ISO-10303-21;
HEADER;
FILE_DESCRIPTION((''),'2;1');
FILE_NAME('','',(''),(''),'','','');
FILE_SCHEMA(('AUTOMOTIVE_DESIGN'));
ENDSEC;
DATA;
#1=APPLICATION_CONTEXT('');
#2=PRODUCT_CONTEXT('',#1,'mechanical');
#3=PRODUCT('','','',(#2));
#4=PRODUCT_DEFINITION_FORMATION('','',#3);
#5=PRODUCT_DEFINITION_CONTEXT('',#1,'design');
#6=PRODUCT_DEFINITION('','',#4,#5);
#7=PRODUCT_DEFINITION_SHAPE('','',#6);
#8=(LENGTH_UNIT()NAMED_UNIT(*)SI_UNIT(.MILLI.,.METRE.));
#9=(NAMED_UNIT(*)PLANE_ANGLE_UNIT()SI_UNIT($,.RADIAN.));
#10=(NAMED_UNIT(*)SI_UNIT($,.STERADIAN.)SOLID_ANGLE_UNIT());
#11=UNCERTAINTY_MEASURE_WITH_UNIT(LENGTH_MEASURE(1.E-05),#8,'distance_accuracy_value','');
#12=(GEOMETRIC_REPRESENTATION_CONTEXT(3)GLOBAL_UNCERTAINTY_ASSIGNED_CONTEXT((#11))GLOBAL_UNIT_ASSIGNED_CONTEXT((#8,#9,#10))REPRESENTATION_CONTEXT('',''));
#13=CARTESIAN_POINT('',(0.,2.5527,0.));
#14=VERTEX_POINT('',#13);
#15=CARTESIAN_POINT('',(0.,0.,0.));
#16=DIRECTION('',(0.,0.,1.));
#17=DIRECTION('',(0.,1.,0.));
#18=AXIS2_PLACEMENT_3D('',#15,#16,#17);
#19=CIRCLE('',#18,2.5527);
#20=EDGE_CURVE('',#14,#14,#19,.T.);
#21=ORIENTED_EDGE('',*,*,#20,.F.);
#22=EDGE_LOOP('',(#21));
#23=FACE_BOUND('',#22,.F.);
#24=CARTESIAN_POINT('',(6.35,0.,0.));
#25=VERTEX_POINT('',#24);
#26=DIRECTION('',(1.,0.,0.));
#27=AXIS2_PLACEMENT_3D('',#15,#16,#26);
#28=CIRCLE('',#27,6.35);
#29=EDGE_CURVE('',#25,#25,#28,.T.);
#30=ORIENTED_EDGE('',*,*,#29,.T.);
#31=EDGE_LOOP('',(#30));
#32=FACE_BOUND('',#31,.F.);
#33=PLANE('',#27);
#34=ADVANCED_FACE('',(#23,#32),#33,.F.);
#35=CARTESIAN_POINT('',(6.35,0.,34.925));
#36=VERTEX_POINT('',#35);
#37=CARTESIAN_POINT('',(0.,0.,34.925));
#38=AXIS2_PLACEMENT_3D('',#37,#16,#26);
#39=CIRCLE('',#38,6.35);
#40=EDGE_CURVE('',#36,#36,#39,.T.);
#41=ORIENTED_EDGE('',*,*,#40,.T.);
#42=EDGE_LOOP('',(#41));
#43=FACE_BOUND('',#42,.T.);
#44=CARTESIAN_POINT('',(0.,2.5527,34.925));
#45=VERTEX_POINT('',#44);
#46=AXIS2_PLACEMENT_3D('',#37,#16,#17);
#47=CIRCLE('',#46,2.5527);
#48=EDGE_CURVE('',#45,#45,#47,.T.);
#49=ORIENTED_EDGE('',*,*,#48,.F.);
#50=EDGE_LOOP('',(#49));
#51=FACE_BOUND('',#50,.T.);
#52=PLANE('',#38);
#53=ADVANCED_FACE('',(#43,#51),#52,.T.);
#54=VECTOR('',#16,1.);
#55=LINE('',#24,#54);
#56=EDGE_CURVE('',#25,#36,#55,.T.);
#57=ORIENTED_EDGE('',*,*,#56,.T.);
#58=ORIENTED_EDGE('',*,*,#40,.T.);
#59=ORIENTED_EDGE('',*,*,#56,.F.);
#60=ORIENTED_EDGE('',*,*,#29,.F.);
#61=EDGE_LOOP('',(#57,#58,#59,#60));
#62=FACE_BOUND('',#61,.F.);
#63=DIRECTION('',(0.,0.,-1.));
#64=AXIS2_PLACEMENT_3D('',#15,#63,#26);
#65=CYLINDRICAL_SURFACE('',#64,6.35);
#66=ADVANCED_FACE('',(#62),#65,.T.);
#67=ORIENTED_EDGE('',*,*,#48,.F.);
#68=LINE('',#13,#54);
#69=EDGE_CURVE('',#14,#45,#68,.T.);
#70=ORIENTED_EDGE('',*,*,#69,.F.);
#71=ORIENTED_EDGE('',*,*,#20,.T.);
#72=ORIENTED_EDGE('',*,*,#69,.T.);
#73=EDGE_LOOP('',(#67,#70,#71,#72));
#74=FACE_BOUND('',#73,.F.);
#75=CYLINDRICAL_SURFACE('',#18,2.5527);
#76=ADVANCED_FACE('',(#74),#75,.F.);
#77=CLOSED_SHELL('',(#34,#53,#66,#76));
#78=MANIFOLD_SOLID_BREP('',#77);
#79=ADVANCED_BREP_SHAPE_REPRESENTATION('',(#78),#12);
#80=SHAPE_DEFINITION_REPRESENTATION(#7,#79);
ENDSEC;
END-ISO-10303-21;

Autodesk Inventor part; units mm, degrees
ref_plane "YZ Plane" through (0, 0, 0) normal (1, 0, 0) x (0, 1, 0)
ref_plane "XZ Plane" through (0, 0, 0) normal (0, 1, 0) x (-1, 0, 0)
ref_plane "XY Plane" through (0, 0, 0) normal (0, 0, 1) x (1, 0, 0)
sketch "Sketch1" plane through (0, 0, 0) normal (0, 0, 1) x (1, 0, 0)
  circle A0 centre (0, 0) radius 6.35
  dimension "d10" = 12.7
extrude "Extrusion1" add sketch "Sketch1" along normal blind 34.925
hole "Hole1" at (0, 0, 0) direction (0, 0, 1) diameter 5.1054 end through all clearance for "Flat Head Machine Screw (82)" size "#10" standard "Ansi Unified Screw Threads"
equation "\"d10\" = OutsideDiameter"
equation "\"d1\" = StandoffLength"
equation "\"d3\" = HoleDiameter"
equation "\"StandoffLength\" = 34.925"
equation "\"HoleDiameter\" = 5.1054"
equation "\"OutsideDiameter\" = 12.7"
properties part number "AR-008" material "Aluminum 6061"
